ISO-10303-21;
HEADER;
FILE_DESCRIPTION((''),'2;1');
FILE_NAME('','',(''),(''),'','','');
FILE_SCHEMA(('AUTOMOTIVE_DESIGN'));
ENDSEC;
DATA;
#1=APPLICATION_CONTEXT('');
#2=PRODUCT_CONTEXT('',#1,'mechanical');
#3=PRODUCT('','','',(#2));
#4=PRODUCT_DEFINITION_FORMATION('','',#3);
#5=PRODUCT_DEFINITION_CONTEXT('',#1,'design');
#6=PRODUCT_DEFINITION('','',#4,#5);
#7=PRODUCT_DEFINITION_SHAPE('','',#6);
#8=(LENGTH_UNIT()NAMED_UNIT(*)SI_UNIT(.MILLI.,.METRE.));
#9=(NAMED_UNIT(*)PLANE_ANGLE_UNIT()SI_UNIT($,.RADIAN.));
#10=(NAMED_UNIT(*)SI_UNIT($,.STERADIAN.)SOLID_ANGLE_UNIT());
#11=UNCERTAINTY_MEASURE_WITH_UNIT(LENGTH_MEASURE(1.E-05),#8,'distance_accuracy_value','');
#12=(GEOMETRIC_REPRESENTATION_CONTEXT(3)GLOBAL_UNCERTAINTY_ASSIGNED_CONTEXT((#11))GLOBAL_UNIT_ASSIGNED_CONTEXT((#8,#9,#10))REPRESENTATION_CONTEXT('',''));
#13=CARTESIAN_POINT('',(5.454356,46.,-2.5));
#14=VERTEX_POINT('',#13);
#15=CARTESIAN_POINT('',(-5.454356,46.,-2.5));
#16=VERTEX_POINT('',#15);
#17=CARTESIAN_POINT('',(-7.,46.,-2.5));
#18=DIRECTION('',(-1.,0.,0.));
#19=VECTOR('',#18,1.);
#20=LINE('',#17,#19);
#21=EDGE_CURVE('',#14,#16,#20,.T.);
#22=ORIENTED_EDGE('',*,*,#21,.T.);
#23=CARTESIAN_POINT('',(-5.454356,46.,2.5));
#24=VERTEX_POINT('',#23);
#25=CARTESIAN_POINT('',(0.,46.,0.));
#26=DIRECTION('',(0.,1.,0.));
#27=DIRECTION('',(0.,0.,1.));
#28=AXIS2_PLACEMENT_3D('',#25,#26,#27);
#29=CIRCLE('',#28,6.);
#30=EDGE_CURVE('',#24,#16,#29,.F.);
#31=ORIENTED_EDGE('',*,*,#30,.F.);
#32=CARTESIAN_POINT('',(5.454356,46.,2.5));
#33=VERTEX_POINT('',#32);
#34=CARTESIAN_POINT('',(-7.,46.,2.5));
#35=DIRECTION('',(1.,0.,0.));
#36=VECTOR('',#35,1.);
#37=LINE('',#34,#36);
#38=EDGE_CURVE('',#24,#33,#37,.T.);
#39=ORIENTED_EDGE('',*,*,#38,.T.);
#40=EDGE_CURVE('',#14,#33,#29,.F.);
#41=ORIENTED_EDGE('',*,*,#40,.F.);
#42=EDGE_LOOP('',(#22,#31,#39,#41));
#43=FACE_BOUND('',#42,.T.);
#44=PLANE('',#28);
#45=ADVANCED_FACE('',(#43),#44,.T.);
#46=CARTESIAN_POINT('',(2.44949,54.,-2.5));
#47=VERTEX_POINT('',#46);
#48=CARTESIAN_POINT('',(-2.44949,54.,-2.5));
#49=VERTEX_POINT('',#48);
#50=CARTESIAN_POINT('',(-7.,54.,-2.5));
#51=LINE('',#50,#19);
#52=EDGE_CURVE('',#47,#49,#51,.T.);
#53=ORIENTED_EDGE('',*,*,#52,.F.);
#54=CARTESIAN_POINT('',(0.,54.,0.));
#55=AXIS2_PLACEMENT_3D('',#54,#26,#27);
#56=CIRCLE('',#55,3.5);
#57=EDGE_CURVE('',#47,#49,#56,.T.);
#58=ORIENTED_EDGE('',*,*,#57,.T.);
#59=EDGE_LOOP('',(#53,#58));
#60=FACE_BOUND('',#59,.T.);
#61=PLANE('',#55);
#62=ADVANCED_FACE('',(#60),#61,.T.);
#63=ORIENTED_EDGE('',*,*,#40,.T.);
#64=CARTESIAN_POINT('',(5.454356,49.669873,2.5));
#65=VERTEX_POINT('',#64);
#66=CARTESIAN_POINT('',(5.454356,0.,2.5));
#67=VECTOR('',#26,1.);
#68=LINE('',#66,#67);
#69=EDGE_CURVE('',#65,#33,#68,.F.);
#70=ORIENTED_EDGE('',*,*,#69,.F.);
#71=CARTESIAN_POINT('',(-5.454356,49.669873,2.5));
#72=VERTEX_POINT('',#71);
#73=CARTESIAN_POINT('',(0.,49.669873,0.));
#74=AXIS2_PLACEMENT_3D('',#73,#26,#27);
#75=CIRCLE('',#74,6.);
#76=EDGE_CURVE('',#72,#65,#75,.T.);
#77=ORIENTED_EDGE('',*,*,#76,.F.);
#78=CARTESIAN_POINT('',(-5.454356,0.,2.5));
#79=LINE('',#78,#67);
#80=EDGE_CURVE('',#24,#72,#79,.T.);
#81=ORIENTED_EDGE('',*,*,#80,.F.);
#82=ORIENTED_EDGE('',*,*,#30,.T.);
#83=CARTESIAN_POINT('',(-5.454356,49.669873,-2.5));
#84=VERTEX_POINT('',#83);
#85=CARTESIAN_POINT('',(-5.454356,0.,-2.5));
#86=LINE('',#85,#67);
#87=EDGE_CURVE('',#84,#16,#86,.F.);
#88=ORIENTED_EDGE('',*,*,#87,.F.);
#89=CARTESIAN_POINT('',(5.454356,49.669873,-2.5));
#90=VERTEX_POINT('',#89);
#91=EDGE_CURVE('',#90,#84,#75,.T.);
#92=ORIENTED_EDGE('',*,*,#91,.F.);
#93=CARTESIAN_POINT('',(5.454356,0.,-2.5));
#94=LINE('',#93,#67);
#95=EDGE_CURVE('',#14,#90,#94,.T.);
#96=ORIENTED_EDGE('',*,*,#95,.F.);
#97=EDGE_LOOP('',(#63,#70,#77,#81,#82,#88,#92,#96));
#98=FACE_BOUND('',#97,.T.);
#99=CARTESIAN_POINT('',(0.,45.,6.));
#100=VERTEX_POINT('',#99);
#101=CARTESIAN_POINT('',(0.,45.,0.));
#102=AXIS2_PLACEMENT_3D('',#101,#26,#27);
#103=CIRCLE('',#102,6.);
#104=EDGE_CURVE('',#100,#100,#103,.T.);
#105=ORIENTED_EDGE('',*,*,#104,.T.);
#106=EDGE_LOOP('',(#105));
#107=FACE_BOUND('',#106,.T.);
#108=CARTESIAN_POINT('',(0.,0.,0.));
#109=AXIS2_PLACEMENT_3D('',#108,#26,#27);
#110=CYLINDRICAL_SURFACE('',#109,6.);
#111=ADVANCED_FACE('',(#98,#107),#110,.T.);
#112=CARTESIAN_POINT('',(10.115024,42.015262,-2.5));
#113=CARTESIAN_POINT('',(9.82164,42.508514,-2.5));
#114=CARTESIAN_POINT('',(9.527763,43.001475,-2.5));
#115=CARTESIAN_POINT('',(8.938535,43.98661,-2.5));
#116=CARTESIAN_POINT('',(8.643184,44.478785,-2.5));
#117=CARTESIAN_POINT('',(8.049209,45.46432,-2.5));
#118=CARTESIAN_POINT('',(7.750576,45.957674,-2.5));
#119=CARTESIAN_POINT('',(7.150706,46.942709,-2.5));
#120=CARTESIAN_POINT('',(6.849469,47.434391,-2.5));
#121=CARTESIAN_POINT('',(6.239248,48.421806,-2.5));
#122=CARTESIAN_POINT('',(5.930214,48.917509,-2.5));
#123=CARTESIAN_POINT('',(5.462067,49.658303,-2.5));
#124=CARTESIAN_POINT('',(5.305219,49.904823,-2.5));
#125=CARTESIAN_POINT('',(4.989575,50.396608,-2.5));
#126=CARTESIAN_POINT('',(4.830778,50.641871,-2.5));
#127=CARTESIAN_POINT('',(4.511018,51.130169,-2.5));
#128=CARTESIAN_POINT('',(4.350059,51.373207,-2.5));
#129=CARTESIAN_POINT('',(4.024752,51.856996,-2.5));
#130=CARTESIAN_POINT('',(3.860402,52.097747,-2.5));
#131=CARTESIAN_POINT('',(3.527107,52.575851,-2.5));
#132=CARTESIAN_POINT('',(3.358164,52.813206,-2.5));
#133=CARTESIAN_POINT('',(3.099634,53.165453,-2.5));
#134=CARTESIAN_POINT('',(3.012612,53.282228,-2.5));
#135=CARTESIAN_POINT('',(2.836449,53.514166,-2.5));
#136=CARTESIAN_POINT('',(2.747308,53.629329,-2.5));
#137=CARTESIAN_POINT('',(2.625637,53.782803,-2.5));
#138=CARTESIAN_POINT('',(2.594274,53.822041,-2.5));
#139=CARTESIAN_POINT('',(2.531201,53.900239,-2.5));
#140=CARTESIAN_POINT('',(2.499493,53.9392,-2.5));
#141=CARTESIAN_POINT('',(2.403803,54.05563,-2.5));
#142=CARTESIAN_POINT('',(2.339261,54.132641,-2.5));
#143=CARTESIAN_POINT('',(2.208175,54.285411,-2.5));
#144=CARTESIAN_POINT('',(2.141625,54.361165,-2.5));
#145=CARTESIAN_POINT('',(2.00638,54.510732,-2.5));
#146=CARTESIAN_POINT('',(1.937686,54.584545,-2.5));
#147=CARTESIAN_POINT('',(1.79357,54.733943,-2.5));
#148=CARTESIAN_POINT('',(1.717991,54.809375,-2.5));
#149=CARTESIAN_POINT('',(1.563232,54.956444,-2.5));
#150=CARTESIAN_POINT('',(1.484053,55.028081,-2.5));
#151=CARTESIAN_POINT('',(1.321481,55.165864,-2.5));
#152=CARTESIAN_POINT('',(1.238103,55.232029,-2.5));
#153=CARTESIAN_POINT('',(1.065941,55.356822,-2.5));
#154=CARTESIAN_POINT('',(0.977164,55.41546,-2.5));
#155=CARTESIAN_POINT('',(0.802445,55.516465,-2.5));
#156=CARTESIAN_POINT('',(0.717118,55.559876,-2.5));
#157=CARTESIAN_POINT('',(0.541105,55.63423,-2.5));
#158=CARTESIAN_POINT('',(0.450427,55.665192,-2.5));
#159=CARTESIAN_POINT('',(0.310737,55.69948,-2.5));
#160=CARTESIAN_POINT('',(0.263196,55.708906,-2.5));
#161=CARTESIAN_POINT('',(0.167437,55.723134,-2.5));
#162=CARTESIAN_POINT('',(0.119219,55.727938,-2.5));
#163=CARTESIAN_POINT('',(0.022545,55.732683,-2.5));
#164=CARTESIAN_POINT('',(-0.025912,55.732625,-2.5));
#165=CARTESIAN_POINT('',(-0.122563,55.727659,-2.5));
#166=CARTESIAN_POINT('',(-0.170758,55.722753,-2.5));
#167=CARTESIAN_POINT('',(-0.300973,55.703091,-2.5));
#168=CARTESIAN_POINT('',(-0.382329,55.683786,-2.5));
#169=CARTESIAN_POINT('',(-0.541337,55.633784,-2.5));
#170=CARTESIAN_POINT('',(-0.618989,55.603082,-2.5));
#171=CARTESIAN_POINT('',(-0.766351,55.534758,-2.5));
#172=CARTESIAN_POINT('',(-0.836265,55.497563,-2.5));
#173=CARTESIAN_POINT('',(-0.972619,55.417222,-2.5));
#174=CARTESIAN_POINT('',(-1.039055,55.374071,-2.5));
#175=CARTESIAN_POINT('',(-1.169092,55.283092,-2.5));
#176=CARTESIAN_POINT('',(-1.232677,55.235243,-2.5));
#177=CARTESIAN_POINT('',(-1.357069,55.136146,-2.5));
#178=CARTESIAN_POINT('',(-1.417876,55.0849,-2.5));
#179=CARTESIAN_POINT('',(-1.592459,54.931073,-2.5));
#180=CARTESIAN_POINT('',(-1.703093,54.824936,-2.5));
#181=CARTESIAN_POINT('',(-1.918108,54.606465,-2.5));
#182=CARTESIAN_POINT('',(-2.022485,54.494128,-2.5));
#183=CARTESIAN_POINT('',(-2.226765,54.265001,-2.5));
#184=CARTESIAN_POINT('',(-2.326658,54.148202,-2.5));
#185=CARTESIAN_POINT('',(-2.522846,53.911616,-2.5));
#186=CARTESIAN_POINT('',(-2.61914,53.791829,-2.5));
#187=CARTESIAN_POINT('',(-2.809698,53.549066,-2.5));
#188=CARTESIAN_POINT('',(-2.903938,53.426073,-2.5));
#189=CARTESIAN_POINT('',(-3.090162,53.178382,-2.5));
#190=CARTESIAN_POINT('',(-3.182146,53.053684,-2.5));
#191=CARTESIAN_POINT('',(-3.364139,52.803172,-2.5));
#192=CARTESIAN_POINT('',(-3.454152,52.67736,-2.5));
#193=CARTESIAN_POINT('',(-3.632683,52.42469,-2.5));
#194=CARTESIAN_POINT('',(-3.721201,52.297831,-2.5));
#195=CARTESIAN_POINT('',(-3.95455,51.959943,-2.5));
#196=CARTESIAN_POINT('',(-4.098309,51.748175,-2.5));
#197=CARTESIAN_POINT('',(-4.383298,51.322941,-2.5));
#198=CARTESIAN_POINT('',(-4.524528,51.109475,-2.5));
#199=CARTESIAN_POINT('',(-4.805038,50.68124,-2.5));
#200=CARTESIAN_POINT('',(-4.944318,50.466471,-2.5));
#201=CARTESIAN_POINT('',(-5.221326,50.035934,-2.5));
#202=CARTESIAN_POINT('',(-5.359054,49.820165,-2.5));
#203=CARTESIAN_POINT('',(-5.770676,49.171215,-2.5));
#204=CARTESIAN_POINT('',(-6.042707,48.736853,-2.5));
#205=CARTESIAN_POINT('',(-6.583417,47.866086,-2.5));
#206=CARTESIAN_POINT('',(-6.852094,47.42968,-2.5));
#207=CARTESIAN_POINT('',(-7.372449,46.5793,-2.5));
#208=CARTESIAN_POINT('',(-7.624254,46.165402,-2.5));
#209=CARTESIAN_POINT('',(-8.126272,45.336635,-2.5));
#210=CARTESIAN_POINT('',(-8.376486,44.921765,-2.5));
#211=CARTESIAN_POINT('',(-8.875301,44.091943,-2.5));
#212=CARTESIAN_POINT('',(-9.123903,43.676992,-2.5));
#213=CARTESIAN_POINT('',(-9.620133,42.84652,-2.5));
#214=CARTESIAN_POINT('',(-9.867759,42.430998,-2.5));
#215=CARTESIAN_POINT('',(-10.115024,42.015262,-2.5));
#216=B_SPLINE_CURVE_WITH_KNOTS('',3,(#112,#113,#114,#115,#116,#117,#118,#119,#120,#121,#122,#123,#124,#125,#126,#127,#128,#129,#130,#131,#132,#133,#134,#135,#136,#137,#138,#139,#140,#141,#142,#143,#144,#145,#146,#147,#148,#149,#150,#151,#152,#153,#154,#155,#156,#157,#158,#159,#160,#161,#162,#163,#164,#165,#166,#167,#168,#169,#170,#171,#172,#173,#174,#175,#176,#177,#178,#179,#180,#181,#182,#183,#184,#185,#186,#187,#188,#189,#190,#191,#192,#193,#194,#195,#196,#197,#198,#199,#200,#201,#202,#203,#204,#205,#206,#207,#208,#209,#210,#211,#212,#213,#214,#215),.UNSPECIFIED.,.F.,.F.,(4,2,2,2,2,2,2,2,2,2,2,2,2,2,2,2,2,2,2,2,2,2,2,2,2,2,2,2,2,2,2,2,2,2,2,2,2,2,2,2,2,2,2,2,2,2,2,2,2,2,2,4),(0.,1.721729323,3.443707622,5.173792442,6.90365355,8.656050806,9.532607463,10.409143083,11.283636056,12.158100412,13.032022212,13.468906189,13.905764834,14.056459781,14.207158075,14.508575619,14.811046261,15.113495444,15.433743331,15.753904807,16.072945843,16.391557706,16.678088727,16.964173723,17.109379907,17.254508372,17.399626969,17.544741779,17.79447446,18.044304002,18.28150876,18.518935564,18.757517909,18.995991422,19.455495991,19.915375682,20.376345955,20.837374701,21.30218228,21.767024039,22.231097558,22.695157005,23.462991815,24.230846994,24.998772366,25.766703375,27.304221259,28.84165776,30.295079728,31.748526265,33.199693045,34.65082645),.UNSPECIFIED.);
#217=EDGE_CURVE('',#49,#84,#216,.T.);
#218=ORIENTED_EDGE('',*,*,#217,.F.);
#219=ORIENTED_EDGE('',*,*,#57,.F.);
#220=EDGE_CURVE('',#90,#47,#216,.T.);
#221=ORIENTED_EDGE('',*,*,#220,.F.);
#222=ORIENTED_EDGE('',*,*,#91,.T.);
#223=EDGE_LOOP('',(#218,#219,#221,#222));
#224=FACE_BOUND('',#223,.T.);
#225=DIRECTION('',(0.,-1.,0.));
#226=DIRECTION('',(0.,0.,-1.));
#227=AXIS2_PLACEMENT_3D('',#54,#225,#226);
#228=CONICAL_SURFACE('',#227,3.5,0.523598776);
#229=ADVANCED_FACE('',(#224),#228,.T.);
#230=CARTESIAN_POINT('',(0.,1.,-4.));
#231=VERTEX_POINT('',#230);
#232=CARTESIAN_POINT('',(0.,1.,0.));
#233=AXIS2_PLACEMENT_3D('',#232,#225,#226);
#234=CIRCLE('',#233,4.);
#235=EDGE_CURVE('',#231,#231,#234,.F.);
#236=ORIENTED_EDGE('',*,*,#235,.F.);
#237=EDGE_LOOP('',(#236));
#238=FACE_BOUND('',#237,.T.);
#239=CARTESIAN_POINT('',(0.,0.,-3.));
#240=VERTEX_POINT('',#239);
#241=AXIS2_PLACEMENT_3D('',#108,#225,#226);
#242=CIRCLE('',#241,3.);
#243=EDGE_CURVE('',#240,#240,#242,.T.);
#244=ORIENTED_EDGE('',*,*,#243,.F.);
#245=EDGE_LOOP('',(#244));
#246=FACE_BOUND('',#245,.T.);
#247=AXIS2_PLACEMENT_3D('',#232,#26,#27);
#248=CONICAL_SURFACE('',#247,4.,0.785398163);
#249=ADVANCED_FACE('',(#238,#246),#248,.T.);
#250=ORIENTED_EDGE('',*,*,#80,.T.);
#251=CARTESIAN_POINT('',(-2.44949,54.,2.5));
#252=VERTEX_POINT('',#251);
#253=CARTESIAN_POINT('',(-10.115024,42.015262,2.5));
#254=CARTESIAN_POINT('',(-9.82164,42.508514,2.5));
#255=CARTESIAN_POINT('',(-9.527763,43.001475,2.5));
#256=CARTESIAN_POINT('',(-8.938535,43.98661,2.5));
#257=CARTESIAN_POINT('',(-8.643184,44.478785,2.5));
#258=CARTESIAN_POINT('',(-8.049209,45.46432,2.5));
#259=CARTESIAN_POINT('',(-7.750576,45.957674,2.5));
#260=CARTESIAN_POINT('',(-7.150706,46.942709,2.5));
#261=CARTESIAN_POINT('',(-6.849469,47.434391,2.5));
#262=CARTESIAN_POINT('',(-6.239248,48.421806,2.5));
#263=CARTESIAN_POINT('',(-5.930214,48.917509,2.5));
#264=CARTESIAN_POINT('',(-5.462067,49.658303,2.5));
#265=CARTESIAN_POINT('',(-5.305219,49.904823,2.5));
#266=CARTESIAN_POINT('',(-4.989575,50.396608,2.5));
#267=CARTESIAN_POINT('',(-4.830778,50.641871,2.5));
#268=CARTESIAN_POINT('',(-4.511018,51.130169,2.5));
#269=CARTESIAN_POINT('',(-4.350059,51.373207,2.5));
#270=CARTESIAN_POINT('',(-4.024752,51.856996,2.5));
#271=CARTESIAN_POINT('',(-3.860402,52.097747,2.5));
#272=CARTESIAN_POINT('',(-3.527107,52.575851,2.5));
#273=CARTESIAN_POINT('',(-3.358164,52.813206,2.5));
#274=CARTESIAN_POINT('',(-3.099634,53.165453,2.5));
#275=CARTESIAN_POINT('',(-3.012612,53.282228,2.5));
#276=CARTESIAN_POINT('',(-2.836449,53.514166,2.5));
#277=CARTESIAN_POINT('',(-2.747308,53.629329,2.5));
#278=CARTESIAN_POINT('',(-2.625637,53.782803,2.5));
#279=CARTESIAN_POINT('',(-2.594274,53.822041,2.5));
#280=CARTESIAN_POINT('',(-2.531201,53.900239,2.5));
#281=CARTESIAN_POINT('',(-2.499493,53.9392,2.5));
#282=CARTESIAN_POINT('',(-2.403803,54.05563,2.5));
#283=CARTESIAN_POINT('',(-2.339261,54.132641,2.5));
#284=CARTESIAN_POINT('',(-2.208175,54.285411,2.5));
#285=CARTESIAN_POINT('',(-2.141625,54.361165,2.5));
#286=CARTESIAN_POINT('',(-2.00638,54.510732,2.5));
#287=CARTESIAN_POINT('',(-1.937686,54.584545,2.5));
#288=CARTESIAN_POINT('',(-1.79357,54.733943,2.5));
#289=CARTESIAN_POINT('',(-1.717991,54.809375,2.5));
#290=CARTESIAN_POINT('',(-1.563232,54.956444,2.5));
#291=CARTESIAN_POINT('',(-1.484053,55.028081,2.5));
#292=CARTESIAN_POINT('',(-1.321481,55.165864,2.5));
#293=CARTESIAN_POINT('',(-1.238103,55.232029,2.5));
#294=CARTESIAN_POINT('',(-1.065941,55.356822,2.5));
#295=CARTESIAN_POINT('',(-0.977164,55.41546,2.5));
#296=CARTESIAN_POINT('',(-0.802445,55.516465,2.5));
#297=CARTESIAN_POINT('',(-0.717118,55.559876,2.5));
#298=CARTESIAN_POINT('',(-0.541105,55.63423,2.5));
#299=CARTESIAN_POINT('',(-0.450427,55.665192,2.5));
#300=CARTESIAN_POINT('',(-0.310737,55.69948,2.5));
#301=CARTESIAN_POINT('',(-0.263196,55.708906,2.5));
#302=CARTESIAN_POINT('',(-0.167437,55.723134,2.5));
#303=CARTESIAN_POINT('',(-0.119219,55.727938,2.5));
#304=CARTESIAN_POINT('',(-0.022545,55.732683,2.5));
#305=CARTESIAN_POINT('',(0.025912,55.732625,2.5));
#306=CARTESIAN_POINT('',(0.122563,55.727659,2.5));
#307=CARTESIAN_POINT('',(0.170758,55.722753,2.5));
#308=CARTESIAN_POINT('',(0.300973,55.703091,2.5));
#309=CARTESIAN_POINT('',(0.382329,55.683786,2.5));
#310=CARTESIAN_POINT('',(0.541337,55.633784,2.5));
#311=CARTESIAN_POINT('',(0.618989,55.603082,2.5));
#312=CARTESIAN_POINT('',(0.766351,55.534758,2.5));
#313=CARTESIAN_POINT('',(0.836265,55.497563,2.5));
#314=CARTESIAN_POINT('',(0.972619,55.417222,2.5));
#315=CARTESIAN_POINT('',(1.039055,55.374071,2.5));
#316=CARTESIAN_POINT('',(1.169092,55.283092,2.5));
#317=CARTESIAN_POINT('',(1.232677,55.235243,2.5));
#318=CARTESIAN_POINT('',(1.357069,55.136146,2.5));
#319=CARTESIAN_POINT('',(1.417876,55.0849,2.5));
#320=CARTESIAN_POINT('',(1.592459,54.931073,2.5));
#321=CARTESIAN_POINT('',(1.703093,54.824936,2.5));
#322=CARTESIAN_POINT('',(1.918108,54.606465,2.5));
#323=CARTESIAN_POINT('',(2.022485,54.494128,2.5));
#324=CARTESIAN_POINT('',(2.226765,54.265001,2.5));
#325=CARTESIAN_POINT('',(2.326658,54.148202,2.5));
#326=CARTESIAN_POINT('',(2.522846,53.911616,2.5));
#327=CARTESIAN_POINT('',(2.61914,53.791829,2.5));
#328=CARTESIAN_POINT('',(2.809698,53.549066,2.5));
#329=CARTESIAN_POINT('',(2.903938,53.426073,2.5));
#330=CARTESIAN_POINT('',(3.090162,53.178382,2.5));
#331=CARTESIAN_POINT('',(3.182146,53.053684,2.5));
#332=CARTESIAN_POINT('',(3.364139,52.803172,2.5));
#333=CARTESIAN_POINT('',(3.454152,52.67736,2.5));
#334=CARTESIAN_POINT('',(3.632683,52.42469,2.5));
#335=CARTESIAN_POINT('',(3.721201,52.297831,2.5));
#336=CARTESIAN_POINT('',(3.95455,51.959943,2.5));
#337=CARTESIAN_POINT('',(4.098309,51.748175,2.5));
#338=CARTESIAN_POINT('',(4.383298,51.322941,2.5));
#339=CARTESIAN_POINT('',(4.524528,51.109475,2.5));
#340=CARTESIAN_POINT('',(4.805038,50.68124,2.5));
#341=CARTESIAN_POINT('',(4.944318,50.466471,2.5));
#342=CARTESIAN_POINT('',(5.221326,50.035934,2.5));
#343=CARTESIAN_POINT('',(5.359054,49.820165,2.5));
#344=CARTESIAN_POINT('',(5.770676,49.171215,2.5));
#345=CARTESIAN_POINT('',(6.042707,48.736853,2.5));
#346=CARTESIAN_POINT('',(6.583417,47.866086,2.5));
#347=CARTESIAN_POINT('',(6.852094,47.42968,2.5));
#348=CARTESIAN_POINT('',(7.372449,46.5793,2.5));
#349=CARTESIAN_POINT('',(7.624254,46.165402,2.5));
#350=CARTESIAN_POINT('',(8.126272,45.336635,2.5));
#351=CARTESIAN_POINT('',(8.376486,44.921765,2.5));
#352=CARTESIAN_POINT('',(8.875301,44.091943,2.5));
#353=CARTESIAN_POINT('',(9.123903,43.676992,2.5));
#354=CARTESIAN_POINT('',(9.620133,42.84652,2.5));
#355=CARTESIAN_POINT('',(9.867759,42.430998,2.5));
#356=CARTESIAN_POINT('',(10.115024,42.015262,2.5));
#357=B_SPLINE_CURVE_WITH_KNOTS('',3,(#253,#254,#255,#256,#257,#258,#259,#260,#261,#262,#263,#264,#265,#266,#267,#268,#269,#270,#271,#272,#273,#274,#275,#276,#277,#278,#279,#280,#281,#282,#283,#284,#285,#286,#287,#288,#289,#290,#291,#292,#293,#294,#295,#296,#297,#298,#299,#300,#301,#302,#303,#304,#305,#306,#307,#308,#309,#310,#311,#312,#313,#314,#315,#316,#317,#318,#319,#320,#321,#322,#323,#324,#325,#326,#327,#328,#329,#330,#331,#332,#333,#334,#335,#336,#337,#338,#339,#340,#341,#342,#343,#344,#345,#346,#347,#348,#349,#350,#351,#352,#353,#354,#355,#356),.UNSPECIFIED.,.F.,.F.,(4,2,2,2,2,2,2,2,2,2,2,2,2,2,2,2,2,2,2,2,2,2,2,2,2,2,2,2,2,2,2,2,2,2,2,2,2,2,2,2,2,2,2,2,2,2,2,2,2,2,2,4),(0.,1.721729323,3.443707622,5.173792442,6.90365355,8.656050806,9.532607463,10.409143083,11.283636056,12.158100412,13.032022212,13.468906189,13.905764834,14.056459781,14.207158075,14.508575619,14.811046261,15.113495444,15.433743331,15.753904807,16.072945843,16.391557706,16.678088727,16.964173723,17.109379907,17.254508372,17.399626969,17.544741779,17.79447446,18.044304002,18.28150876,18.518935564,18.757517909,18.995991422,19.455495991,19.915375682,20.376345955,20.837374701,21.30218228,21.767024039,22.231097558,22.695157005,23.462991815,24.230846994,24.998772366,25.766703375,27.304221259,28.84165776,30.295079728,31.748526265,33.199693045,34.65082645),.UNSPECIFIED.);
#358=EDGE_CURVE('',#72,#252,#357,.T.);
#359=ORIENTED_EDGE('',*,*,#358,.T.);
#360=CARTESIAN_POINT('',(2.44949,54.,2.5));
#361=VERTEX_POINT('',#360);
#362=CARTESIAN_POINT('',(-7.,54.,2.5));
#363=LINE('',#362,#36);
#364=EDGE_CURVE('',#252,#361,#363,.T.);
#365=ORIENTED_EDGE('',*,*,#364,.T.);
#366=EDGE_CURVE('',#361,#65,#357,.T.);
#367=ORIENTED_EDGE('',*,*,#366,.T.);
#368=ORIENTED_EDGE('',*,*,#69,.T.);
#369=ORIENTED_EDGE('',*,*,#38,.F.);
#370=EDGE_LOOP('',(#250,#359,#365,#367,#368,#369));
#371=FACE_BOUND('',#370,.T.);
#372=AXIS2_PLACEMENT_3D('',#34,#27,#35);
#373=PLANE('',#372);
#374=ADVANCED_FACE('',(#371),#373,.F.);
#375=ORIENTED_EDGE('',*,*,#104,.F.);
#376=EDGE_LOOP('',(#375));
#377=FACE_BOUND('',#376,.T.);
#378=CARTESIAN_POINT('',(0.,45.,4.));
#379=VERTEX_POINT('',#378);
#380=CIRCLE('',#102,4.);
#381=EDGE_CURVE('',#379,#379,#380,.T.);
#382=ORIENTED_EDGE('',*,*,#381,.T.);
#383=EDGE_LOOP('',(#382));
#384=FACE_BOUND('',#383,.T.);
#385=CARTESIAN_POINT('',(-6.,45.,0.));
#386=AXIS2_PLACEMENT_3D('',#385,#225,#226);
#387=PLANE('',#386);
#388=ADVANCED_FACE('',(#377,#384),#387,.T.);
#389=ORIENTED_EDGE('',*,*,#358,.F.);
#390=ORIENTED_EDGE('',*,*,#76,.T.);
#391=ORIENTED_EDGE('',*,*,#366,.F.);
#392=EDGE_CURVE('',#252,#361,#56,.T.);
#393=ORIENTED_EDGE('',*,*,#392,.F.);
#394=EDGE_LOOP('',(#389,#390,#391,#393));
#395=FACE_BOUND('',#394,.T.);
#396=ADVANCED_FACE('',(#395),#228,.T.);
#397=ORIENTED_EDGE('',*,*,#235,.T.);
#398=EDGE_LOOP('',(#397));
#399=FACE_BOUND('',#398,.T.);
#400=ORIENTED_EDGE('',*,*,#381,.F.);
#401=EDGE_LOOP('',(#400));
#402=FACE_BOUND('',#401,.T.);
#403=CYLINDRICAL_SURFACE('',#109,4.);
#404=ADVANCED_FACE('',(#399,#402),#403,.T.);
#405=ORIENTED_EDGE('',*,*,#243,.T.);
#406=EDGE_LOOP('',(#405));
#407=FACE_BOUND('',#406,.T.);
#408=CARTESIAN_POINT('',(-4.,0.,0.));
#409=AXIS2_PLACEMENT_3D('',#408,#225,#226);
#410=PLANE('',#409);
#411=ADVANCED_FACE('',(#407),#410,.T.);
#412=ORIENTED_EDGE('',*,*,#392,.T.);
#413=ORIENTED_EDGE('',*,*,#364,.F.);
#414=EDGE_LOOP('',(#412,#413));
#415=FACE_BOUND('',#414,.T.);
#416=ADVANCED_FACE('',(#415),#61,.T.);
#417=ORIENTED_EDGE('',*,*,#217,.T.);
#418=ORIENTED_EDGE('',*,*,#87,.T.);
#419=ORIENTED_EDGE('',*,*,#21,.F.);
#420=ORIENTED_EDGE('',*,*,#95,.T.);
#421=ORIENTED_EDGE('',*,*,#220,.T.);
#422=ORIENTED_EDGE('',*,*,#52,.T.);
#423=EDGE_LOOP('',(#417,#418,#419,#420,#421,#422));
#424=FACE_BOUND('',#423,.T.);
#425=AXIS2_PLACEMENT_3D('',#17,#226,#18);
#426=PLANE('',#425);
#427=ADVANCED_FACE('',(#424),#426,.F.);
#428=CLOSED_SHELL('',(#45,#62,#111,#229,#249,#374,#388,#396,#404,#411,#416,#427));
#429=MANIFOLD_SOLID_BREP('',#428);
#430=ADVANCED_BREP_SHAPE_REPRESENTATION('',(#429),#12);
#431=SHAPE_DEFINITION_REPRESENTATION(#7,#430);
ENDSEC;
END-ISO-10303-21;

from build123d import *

# Parameters (mm, degrees)
SKIZZE2_W                       = 14
SKIZZE2_H                       = 5
SCHNITT_LINEAR_AUSTRAGEN1_DEPTH = 8
FASE1_SIZE                      = 1


with BuildPart() as part:
    # Skizze1 → Rotation1 (revolve)
    with BuildSketch(Plane.XY, mode=Mode.PRIVATE) as rotation1_sk:
        Polygon((0, 0), (0, 54), (-3.5, 54), (-6, 49.669872981), (-6, 45), (-4, 45), (-4, 0), align=None)
    revolve(rotation1_sk.sketch.rotate(Axis((0, 0, 0), (0, -1, 0)), 270), axis=Axis((0, 0, 0), (0, -1, 0)))

    # Skizze2 → Schnitt-Linear austragen1 (cut)
    with BuildSketch(Plane(origin=(0, 54, 0), x_dir=(1, 0, 0), z_dir=(0, 1, 0))):
        Rectangle(SKIZZE2_W, SKIZZE2_H)
    extrude(amount=-SCHNITT_LINEAR_AUSTRAGEN1_DEPTH, mode=Mode.SUBTRACT)

    # Fase1
    fase1_edges = [part.edges().sort_by_distance(p)[0] for p in [
        (0, 0, -4),
    ]]
    chamfer(fase1_edges, length=FASE1_SIZE)


solid = part.part
